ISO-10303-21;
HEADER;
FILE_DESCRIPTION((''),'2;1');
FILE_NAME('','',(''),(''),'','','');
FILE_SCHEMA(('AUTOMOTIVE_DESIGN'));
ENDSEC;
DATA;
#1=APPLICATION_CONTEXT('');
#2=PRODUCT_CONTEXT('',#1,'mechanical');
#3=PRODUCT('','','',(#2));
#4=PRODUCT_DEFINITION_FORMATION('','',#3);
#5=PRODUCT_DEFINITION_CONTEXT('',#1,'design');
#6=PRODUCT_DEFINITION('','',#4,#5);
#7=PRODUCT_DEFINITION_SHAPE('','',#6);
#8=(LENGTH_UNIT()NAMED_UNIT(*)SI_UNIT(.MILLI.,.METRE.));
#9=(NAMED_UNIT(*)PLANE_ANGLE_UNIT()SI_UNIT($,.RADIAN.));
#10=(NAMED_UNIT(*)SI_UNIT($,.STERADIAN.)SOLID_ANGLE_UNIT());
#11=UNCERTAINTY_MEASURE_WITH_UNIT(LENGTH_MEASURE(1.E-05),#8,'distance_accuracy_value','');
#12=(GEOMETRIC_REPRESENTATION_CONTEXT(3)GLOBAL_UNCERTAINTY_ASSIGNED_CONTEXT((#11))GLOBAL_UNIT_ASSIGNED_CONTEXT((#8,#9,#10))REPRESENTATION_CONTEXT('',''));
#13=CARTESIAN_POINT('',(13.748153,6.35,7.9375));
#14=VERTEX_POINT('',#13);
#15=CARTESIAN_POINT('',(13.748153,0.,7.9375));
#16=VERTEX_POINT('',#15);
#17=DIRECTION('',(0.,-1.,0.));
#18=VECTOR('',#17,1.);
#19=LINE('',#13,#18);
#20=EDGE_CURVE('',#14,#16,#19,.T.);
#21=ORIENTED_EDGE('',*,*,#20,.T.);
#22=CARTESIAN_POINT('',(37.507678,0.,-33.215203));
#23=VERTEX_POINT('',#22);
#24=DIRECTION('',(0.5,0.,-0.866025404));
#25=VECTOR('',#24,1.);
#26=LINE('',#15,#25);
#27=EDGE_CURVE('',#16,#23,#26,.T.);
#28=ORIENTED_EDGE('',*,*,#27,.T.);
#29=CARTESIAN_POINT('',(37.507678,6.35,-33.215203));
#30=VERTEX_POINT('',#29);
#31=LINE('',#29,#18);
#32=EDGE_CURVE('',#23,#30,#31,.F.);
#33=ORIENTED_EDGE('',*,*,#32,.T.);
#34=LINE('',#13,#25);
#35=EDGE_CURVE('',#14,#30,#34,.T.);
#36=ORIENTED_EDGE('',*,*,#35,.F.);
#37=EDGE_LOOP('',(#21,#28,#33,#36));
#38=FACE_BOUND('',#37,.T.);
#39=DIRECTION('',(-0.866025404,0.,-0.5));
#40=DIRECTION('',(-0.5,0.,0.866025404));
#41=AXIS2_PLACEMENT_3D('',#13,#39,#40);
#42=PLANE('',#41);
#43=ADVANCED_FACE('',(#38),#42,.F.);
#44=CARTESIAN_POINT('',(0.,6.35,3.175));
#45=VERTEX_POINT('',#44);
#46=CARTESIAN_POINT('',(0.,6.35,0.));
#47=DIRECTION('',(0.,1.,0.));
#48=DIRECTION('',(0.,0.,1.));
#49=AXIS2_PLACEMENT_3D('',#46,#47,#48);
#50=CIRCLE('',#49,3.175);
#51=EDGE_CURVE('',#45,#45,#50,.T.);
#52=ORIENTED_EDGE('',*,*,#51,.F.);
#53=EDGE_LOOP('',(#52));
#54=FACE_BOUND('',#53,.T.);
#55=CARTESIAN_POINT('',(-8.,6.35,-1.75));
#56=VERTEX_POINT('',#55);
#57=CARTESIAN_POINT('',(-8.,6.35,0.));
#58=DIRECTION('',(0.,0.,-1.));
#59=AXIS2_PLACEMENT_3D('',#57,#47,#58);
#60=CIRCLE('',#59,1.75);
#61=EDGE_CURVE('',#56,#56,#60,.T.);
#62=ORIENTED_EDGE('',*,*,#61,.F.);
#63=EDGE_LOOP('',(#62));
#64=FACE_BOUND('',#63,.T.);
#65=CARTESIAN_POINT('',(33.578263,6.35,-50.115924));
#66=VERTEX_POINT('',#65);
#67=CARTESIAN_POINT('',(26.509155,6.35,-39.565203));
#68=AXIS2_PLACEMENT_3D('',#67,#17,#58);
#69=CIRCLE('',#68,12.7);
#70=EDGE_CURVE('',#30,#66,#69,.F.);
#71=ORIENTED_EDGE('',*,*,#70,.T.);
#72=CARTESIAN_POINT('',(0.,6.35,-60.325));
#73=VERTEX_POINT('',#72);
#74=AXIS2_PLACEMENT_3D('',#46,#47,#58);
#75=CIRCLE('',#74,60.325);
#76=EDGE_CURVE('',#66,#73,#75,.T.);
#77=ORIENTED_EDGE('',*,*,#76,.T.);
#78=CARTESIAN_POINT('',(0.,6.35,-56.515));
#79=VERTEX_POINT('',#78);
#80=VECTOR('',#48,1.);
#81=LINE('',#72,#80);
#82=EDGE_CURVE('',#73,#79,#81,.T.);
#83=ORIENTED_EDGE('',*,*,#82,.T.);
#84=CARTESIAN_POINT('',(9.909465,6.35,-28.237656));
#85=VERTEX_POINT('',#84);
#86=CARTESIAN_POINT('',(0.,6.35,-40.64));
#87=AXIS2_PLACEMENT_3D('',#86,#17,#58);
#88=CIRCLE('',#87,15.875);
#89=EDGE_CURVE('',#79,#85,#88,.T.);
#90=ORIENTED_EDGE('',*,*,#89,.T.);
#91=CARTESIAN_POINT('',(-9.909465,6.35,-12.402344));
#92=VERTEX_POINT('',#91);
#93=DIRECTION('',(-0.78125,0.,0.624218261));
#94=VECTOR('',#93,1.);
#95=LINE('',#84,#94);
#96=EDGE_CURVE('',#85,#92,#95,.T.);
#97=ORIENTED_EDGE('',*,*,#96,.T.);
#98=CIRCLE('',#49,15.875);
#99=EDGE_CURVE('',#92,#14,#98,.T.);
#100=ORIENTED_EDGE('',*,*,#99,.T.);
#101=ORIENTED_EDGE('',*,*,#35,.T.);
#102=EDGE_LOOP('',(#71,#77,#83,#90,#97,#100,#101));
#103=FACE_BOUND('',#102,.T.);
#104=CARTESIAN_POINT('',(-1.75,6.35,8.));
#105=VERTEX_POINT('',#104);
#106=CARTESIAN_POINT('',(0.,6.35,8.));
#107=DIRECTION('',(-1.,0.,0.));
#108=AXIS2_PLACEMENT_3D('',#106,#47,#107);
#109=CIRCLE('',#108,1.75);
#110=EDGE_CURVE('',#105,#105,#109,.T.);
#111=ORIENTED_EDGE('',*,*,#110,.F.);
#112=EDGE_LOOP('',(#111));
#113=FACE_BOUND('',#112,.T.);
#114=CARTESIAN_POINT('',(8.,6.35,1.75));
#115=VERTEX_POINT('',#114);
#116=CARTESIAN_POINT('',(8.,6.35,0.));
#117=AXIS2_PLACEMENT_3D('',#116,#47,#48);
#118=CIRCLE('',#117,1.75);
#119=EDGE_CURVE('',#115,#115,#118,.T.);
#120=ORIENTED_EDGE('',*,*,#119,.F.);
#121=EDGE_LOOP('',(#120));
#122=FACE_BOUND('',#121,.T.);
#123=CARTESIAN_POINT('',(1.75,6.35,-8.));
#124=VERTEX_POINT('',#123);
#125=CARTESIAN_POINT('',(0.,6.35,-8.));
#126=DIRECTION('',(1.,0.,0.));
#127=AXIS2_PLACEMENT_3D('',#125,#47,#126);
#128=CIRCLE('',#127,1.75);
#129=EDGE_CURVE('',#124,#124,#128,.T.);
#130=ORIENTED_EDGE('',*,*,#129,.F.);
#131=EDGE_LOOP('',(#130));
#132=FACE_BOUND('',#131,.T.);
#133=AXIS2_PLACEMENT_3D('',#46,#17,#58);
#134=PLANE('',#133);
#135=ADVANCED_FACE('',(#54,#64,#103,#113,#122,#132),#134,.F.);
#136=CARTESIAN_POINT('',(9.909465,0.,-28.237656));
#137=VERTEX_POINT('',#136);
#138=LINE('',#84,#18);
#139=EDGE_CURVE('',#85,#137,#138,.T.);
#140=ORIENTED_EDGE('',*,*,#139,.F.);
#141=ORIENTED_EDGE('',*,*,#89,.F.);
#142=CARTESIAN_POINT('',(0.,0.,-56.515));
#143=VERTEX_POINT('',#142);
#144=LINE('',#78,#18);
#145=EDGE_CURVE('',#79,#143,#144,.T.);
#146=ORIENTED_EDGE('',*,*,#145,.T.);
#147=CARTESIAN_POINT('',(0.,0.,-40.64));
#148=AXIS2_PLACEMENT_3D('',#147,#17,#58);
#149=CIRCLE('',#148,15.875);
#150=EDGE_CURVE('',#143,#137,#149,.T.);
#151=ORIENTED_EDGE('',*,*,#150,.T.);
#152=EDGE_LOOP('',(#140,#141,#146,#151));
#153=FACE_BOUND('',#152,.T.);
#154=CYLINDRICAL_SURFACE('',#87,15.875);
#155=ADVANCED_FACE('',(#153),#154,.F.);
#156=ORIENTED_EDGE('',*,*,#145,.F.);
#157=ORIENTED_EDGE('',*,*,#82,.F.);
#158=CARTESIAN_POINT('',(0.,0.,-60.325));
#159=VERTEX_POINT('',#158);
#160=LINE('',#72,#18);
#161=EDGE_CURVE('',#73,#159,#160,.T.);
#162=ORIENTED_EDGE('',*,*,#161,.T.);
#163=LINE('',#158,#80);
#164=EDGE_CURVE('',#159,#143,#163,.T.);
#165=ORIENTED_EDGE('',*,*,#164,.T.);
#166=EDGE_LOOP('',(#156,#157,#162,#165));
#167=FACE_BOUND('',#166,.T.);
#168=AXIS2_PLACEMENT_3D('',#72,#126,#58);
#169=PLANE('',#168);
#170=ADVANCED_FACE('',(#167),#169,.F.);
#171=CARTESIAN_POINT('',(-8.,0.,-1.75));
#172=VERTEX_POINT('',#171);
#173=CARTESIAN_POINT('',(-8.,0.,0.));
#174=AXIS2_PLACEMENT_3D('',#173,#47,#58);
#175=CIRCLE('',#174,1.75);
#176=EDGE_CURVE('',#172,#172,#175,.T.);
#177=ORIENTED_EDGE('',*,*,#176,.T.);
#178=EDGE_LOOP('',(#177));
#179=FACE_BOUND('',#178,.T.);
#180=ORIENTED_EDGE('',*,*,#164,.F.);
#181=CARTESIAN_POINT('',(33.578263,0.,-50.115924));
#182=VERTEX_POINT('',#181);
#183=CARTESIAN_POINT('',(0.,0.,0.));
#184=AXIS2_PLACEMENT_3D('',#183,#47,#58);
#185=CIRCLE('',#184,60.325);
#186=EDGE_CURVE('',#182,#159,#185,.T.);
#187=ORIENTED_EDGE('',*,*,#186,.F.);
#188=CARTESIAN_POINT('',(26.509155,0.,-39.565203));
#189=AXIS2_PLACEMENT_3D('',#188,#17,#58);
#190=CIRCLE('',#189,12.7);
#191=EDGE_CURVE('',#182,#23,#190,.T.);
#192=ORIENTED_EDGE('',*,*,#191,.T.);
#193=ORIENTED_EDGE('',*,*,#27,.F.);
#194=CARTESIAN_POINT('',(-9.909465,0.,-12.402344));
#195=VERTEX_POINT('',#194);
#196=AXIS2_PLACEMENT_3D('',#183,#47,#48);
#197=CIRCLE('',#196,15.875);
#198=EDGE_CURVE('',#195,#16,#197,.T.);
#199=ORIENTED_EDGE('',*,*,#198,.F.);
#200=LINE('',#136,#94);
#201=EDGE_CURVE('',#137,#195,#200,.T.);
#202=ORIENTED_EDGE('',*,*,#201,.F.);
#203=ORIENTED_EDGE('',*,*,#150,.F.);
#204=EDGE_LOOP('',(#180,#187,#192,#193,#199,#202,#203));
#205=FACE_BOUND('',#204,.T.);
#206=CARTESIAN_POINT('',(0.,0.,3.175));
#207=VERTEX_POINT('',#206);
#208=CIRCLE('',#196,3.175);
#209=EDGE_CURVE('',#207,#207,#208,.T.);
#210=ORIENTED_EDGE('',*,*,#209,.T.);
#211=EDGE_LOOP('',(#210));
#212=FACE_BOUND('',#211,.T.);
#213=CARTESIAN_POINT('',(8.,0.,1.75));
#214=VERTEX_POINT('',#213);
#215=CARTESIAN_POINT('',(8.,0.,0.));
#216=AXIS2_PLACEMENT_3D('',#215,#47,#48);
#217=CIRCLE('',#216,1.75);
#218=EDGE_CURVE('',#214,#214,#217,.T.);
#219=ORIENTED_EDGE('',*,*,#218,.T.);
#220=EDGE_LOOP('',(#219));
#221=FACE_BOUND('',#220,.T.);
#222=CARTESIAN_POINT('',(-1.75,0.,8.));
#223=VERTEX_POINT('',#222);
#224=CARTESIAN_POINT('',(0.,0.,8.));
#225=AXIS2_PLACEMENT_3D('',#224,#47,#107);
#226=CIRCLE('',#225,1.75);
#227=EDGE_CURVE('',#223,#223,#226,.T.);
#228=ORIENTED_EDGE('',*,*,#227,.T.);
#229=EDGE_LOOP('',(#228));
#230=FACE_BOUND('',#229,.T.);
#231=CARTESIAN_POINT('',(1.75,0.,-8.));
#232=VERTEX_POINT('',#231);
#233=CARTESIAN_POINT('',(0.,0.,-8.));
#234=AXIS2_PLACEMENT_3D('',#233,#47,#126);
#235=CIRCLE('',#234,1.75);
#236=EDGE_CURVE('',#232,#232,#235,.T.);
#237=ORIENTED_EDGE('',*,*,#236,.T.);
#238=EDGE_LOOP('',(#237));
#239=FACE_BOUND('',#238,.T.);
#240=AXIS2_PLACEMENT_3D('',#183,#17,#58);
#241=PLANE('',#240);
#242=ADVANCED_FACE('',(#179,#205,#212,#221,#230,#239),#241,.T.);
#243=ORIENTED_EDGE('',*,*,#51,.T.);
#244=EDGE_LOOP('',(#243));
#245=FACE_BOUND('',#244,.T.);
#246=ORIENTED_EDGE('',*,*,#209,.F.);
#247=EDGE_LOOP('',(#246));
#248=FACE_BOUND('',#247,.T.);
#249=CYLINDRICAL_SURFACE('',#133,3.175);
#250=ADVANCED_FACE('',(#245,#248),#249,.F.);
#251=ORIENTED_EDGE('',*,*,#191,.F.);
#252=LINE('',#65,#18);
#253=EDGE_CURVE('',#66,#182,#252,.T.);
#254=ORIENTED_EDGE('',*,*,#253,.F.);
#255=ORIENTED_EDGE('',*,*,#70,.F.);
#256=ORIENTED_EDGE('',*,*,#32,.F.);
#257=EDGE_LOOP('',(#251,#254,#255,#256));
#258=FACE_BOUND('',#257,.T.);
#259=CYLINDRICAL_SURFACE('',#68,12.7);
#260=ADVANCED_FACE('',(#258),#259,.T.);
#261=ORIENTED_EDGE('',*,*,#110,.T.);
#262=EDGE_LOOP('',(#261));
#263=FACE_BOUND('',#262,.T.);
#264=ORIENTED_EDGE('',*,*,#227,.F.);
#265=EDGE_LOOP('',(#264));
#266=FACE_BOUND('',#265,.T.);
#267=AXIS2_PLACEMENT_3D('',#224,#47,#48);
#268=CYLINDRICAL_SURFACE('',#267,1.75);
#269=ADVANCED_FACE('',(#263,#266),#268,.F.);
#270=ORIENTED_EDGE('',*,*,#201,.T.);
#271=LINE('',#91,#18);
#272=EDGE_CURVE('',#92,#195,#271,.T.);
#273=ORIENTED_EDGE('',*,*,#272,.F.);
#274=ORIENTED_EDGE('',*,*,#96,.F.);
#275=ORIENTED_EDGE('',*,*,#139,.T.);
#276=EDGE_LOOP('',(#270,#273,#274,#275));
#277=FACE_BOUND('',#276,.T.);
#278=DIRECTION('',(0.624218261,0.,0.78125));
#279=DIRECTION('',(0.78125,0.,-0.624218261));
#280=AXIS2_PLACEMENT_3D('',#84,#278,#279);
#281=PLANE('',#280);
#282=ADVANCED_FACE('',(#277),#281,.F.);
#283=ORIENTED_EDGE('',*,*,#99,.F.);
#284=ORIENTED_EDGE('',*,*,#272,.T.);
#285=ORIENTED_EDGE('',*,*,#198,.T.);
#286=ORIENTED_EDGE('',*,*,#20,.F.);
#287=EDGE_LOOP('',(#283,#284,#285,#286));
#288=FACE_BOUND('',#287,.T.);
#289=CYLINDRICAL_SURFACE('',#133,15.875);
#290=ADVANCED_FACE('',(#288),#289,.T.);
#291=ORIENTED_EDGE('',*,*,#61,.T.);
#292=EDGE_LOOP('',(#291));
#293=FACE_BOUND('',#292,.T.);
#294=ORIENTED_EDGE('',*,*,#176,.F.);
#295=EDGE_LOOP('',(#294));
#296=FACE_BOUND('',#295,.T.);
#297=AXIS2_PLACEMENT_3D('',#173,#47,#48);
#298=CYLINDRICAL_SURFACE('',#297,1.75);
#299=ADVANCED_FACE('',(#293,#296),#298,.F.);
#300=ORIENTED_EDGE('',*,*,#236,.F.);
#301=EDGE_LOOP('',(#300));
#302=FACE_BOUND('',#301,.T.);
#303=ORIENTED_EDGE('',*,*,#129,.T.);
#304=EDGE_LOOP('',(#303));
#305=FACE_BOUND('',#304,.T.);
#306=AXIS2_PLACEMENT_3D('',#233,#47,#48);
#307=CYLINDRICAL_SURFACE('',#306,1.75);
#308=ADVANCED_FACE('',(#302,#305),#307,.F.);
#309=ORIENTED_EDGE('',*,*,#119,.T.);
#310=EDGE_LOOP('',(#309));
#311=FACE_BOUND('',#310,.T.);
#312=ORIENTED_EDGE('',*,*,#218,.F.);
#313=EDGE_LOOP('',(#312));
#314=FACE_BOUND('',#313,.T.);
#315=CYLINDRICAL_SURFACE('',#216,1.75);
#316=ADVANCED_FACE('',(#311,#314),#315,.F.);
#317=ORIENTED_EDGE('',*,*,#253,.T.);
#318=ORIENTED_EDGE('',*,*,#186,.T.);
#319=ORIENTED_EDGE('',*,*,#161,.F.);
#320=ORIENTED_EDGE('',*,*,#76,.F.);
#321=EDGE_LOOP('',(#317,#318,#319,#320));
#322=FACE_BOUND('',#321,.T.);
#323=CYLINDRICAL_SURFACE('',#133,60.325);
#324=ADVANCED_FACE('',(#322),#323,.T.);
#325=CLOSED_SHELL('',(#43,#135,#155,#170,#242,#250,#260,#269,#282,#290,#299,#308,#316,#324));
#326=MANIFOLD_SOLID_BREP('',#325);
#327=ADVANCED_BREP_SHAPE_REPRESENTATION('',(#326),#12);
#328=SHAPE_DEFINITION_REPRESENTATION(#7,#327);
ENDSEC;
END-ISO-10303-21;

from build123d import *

# Parameters (mm, degrees)
SKETCH1_R           = 3.175
BOSS_EXTRUDE1_DEPTH = 6.35
SKETCH2_R           = 1.75
CUT_EXTRUDE1_DEPTH  = 7.35
CIRPATTERN1_COUNT   = 4
FILLET1_R           = 12.7


with BuildPart() as part:
    # Sketch1 → Boss-Extrude1 (new body)
    with BuildSketch(Plane(origin=(0, 0, 0), x_dir=(1, 0, 0), z_dir=(0, 1, 0))):
        with BuildLine():
            Line((13.748153285, -7.9375), (42.847508948, 42.464062476))
            ThreePointArc((42.847508948, 42.464062476), (23.210569318, 55.681011996), (0, 60.325))
            Line((0, 60.325), (0, 56.515))
            ThreePointArc((0, 56.515), (14.981702707, 45.890162758), (9.909464895, 28.23765625))
            Line((9.909464895, 28.23765625), (-9.909464895, 12.40234375))
            ThreePointArc((-9.909464895, 12.40234375), (-10.349453758, -12.037625676), (13.748153285, -7.9375))
        make_face()
        Circle(SKETCH1_R, mode=Mode.SUBTRACT)
    extrude(amount=BOSS_EXTRUDE1_DEPTH)

    # Sketch2 → Cut-Extrude1 (cut, through all)
    with BuildSketch(Plane(origin=(0, 6.35, 0), x_dir=(1, 0, 0), z_dir=(0, 1, 0))):
        with Locations((8, 0)):
            Circle(SKETCH2_R)
    cut_extrude1 = extrude(amount=-CUT_EXTRUDE1_DEPTH, mode=Mode.SUBTRACT)

    # CirPattern1: Cut-Extrude1 ×4 about axis
    cirpattern1_axis = Axis((0, 0, 0), (0, 1, 0))
    for i in range(1, CIRPATTERN1_COUNT):
        add(cut_extrude1.rotate(cirpattern1_axis, i * 360 / CIRPATTERN1_COUNT), mode=Mode.SUBTRACT)

    # Fillet1
    fillet1_edges = [part.edges().sort_by_distance(p)[0] for p in [
        (42.847508948, 3.175, -42.464062476),
    ]]
    fillet(fillet1_edges, radius=FILLET1_R)


solid = part.part
